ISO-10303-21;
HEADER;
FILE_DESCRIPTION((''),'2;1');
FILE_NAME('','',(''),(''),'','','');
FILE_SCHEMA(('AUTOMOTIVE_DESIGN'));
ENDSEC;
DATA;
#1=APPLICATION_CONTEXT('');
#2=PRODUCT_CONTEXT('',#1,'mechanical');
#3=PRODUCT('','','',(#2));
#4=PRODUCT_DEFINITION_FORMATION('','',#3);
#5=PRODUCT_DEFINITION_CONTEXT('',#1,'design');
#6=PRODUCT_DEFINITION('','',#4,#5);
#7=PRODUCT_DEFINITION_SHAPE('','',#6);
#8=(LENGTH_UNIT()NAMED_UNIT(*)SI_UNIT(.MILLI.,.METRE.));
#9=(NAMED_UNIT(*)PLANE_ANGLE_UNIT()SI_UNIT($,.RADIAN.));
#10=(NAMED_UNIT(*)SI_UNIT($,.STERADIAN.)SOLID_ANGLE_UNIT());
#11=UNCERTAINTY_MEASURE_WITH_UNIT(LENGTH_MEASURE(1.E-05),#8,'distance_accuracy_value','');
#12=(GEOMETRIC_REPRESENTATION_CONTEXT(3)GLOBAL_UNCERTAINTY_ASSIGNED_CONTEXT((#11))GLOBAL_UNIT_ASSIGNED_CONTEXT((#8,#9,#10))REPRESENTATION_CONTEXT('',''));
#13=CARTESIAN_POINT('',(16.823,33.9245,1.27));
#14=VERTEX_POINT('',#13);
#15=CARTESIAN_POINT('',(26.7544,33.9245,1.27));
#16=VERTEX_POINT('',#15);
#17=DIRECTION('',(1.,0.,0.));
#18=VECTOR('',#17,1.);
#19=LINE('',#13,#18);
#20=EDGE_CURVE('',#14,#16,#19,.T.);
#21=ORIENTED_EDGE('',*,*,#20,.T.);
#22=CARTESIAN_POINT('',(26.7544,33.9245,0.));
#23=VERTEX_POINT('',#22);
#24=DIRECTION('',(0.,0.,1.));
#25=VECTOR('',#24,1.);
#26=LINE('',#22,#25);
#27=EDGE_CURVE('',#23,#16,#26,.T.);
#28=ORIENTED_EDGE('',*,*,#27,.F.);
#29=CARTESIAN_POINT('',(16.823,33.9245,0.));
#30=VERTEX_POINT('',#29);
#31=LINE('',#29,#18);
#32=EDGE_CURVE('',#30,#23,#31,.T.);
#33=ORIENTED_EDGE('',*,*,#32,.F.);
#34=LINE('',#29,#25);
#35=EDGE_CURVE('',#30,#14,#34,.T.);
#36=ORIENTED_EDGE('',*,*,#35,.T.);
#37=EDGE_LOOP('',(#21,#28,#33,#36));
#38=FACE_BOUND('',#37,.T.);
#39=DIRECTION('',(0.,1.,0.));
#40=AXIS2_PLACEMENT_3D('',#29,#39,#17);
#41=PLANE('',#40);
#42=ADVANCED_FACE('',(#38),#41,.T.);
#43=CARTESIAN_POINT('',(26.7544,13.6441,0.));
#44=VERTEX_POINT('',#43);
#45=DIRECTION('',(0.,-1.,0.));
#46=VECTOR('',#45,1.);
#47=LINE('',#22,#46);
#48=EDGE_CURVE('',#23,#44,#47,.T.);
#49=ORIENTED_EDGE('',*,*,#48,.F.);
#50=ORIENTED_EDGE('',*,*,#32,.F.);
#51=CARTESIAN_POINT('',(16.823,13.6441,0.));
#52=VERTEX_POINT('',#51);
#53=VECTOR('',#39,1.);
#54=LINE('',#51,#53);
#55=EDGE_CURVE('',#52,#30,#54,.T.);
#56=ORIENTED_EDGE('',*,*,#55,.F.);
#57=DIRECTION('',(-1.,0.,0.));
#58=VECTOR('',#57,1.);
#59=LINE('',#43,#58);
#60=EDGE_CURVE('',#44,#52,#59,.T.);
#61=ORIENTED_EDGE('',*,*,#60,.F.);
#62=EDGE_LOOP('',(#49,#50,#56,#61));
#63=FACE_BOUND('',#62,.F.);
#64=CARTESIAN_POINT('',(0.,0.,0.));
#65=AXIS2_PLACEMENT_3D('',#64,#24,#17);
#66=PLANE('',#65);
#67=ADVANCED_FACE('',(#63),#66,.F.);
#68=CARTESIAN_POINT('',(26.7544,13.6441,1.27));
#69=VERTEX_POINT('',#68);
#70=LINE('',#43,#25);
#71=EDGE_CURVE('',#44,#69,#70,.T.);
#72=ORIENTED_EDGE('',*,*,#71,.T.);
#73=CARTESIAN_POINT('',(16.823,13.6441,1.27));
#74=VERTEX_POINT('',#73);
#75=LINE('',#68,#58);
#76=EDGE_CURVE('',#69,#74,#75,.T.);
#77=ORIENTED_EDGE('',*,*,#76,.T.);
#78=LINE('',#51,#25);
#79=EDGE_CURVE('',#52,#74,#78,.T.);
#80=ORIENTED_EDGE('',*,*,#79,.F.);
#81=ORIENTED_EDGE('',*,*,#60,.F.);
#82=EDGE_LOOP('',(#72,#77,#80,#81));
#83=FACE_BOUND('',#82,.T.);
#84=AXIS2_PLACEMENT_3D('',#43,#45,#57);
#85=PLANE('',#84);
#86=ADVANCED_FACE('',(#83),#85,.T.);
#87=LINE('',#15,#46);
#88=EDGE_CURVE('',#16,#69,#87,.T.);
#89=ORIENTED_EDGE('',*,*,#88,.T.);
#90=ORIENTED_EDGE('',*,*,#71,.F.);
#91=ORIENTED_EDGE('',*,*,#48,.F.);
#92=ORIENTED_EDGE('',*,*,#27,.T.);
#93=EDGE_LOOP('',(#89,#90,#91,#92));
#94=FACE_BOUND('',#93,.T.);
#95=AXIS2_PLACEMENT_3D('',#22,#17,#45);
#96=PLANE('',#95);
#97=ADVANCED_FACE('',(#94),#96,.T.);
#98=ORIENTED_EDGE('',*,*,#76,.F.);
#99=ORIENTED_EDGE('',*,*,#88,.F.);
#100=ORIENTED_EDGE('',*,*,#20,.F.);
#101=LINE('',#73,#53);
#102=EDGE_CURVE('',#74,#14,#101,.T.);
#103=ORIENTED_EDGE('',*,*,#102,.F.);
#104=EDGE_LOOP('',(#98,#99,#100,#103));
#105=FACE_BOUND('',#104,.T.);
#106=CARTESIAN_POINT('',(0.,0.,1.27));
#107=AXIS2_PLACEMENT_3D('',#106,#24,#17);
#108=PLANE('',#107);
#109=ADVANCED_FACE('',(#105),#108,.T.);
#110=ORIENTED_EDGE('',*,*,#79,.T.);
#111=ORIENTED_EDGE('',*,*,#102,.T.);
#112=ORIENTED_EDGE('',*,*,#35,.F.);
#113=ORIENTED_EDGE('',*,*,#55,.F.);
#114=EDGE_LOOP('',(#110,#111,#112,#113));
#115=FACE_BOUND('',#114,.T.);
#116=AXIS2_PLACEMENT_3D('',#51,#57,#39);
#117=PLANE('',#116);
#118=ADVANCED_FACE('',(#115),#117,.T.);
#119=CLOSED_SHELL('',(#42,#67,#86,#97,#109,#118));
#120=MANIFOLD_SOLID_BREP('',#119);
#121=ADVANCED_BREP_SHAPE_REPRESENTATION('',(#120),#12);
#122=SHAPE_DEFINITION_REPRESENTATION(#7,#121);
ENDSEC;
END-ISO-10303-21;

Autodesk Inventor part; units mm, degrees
ref_plane "YZ Plane" through (0, 0, 0) normal (1, 0, 0) x (0, 1, 0)
ref_plane "XZ Plane" through (0, 0, 0) normal (0, 1, 0) x (-1, 0, 0)
ref_plane "XY Plane" through (0, 0, 0) normal (0, 0, 1) x (1, 0, 0)
sketch "Sketch1" plane through (0, 0, 0) normal (0, 0, 1) x (1, 0, 0)
  line L0 (16.823, 33.9245) -> (26.7544, 33.9245)
  line L1 (26.7544, 33.9245) -> (26.7544, 13.6441)
  line L2 (26.7544, 13.6441) -> (16.823, 13.6441)
  line L3 (16.823, 13.6441) -> (16.823, 33.9245)
  point P0 (0, 0)
  dimension "d0" = 9.9314
extrude "Extrusion1" add sketch "Sketch1" along normal blind 1.27
properties part number "glass slide" material "Glass"
